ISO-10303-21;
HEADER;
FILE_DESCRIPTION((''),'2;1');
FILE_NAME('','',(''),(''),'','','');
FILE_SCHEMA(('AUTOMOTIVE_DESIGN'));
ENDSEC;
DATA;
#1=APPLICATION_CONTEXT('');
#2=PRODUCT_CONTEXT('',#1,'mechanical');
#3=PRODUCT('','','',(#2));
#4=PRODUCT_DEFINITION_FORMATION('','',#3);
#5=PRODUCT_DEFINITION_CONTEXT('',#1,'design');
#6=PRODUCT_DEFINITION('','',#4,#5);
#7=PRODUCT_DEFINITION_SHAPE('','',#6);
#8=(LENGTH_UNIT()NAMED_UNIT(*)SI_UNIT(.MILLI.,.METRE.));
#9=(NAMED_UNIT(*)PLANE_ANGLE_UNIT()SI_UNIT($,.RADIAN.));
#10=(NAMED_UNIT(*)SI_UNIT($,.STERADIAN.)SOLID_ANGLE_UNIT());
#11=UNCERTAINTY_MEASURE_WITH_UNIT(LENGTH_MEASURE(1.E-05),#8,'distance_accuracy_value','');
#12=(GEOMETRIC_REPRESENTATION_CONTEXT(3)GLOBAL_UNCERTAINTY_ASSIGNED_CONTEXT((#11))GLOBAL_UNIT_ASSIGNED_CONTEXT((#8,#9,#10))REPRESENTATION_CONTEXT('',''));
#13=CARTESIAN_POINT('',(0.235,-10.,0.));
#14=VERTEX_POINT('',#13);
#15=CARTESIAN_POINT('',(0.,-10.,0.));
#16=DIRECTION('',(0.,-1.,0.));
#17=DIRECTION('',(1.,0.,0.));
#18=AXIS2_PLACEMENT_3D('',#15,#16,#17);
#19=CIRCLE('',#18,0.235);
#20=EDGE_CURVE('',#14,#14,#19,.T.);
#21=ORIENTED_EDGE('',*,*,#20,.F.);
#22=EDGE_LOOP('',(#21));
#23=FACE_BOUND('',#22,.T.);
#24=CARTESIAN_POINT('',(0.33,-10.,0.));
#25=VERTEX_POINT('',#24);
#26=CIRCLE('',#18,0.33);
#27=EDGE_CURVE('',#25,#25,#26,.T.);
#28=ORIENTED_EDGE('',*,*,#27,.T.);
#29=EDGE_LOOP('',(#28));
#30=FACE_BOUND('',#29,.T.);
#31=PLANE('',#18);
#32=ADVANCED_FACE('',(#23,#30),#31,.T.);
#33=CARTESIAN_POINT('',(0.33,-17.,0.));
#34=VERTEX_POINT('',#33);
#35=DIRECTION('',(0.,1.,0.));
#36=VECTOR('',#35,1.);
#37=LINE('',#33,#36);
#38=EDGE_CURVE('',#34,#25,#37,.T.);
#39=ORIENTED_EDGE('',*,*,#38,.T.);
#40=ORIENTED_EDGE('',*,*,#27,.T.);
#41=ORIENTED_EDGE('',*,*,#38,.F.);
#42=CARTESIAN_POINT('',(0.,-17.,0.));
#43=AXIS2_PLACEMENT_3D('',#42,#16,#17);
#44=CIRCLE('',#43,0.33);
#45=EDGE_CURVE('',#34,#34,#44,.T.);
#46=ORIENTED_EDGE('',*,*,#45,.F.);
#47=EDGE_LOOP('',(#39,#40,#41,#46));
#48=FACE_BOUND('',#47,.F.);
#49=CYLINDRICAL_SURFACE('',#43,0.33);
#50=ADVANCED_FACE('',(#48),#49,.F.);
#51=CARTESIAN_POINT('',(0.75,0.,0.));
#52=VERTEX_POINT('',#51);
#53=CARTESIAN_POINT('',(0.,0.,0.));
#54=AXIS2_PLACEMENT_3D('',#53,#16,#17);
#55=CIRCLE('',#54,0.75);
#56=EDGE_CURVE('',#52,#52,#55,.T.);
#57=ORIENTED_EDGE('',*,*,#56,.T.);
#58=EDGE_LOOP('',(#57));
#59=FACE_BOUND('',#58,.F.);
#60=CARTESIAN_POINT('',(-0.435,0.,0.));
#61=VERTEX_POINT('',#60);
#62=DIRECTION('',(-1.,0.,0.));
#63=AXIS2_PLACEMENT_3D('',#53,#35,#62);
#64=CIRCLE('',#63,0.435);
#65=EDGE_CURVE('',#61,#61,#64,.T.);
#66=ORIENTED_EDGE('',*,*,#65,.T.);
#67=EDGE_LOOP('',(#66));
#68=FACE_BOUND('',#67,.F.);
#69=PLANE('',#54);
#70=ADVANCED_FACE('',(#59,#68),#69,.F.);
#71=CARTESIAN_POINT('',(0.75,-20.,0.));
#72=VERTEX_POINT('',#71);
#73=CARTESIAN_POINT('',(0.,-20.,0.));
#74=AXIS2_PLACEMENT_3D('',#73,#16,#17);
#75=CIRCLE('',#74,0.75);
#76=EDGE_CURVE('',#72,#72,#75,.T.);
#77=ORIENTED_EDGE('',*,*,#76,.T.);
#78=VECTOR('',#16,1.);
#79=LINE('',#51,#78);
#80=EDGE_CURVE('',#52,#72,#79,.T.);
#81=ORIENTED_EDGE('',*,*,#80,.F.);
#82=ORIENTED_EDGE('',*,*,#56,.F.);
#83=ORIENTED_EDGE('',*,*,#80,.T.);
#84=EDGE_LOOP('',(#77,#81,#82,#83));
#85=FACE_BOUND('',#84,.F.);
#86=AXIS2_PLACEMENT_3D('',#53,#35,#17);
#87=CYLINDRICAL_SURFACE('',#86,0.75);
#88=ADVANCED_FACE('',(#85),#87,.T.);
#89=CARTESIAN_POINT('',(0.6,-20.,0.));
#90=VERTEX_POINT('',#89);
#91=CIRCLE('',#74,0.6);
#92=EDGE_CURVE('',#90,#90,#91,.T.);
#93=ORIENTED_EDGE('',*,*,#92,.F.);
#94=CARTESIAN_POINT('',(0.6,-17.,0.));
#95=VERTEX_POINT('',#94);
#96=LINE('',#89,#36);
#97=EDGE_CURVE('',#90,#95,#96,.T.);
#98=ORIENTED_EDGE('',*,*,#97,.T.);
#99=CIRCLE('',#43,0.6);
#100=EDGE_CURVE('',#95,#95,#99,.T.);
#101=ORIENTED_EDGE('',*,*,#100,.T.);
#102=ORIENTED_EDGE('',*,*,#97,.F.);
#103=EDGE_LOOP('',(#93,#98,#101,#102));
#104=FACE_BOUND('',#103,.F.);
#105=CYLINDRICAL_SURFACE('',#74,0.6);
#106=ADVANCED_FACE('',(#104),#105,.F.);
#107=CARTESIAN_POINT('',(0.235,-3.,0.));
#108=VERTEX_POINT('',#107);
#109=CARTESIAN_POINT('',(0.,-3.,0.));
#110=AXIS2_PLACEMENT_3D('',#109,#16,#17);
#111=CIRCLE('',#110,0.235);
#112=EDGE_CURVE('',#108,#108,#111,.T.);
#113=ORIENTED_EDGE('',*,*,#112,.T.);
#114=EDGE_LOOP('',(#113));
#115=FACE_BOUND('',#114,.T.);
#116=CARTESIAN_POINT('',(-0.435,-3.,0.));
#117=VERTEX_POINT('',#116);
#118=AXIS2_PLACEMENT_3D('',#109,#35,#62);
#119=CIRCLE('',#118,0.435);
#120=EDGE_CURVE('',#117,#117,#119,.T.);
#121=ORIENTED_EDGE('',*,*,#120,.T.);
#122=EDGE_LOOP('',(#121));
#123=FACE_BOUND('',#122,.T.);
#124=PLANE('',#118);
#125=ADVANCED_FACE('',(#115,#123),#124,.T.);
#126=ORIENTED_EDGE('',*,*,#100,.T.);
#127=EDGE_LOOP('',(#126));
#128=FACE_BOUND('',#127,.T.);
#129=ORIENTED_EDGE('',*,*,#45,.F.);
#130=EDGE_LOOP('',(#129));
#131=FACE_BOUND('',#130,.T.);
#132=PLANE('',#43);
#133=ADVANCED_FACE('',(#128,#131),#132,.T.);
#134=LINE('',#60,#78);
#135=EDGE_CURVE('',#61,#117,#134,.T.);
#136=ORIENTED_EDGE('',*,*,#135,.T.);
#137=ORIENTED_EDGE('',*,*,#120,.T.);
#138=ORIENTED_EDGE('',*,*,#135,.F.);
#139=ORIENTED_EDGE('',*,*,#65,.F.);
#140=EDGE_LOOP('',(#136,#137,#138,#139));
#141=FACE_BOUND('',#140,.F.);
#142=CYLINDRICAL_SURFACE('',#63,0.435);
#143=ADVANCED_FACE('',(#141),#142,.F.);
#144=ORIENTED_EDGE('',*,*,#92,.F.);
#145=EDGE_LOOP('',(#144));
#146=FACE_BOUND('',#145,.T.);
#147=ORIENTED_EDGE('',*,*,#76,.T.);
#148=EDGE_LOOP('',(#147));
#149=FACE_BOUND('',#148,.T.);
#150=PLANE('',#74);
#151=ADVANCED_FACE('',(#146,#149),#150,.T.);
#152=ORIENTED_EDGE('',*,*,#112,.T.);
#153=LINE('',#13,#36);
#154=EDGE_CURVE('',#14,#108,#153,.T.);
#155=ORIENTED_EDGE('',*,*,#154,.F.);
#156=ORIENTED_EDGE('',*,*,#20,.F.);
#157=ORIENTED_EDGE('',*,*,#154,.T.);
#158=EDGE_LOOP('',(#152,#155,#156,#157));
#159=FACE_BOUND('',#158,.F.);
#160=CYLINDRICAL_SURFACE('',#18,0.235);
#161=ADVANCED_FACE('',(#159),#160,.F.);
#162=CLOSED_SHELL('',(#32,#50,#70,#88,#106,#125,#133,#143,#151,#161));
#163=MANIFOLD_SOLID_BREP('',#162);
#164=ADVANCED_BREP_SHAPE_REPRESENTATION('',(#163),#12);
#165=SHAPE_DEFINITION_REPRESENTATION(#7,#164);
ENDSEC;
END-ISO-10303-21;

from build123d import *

# Parameters (mm, degrees)
F0_R     = 0.75
F1_DEPTH = 20
F2_R     = 0.6
F3_DEPTH = 3
F4_R     = 0.33
F5_DEPTH = 7
F6_R     = 0.235
F7_DEPTH = 7
F8_R     = 0.435
F9_DEPTH = 3


with BuildPart() as f1:
    # F0 (on Front) → F1 (new body)
    with BuildSketch(Plane.XZ):
        Circle(F0_R)
    extrude(amount=F1_DEPTH)

    # F2 (on face) → F3 (cut)
    with BuildSketch(Plane.XZ.offset(20)):
        Circle(F2_R)
    extrude(amount=-F3_DEPTH, mode=Mode.SUBTRACT)

    # F4 (on face) → F5 (cut)
    with BuildSketch(Plane.XZ.offset(17)):
        Circle(F4_R)
    extrude(amount=-F5_DEPTH, mode=Mode.SUBTRACT)

    # F6 (on face) + F4 (on face) → F7 (cut)
    with BuildSketch(Plane.XZ.offset(10)):
        Circle(F6_R)
    with BuildSketch(Plane.XZ.offset(17)):
        Circle(F4_R)
    extrude(amount=-F7_DEPTH, mode=Mode.SUBTRACT)

    # F8 (on face) → F9 (cut)
    with BuildSketch(Plane(origin=(0, 0, 0), x_dir=(-1, 0, 0), z_dir=(0, 1, 0))):
        Circle(F8_R)
    extrude(amount=-F9_DEPTH, mode=Mode.SUBTRACT)


solid = f1.part
